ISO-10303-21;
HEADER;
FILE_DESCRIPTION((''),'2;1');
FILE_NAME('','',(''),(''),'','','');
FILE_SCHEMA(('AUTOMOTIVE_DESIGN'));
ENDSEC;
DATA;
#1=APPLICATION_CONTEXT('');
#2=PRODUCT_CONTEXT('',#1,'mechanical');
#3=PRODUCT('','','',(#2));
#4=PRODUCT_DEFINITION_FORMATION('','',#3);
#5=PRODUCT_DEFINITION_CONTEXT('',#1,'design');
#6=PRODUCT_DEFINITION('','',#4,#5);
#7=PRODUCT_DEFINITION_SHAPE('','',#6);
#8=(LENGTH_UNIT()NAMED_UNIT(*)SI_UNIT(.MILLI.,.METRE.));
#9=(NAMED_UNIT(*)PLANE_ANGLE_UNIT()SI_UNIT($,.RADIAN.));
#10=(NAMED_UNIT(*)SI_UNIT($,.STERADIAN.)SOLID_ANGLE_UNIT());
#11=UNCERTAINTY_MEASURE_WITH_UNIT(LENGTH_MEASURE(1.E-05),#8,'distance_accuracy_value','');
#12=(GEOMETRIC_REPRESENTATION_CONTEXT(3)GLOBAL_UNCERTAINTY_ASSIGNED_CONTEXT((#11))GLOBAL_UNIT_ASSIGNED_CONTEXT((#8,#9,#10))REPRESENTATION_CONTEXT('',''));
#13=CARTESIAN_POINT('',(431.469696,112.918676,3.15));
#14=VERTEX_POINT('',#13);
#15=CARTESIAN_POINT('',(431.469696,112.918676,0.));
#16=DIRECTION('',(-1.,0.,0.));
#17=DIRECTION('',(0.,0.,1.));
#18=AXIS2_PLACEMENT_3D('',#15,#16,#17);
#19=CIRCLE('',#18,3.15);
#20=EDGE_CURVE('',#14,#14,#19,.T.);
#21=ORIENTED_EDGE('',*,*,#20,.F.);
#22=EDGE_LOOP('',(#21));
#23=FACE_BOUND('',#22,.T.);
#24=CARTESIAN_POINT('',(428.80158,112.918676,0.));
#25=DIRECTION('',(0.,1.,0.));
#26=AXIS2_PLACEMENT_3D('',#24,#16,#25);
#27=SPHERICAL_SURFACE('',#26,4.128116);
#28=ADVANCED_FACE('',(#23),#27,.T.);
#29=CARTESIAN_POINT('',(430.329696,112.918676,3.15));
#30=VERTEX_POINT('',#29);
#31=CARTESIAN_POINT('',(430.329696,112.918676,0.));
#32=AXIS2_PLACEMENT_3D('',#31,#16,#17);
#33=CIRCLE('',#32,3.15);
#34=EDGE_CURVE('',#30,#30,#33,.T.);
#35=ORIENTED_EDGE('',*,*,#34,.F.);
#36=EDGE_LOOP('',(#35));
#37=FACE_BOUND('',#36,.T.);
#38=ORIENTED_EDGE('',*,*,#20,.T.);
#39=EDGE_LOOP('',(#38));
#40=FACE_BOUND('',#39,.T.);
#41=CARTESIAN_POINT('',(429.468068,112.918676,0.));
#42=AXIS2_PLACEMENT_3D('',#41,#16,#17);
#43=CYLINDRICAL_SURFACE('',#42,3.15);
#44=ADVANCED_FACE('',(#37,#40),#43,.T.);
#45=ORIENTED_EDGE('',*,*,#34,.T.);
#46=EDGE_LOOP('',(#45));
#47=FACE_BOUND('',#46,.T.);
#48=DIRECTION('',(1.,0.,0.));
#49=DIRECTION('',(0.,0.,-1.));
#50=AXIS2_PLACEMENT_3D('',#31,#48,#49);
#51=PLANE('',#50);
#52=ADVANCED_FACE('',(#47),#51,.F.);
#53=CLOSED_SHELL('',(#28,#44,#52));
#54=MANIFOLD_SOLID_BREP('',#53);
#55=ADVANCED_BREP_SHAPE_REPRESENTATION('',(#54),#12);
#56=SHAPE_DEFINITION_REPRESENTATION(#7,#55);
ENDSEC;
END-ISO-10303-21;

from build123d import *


with BuildPart() as part:
    # 草图1 → 旋转1 (revolve)
    with BuildSketch(Plane.XY):
        with BuildLine():
            Line((430.329696303, 112.918675999), (430.329696303, 116.068675999))
            Line((430.329696303, 116.068675999), (431.469696303, 116.068675999))
            ThreePointArc((431.469696303, 116.068675999), (432.546953054, 114.654626747), (432.929696303, 112.918675999))
            Line((432.929696303, 112.918675999), (430.329696303, 112.918675999))
        make_face()
    revolve(axis=Axis((429.468068134, 112.918675999, 0), (1, 0, 0)))


solid = part.part
